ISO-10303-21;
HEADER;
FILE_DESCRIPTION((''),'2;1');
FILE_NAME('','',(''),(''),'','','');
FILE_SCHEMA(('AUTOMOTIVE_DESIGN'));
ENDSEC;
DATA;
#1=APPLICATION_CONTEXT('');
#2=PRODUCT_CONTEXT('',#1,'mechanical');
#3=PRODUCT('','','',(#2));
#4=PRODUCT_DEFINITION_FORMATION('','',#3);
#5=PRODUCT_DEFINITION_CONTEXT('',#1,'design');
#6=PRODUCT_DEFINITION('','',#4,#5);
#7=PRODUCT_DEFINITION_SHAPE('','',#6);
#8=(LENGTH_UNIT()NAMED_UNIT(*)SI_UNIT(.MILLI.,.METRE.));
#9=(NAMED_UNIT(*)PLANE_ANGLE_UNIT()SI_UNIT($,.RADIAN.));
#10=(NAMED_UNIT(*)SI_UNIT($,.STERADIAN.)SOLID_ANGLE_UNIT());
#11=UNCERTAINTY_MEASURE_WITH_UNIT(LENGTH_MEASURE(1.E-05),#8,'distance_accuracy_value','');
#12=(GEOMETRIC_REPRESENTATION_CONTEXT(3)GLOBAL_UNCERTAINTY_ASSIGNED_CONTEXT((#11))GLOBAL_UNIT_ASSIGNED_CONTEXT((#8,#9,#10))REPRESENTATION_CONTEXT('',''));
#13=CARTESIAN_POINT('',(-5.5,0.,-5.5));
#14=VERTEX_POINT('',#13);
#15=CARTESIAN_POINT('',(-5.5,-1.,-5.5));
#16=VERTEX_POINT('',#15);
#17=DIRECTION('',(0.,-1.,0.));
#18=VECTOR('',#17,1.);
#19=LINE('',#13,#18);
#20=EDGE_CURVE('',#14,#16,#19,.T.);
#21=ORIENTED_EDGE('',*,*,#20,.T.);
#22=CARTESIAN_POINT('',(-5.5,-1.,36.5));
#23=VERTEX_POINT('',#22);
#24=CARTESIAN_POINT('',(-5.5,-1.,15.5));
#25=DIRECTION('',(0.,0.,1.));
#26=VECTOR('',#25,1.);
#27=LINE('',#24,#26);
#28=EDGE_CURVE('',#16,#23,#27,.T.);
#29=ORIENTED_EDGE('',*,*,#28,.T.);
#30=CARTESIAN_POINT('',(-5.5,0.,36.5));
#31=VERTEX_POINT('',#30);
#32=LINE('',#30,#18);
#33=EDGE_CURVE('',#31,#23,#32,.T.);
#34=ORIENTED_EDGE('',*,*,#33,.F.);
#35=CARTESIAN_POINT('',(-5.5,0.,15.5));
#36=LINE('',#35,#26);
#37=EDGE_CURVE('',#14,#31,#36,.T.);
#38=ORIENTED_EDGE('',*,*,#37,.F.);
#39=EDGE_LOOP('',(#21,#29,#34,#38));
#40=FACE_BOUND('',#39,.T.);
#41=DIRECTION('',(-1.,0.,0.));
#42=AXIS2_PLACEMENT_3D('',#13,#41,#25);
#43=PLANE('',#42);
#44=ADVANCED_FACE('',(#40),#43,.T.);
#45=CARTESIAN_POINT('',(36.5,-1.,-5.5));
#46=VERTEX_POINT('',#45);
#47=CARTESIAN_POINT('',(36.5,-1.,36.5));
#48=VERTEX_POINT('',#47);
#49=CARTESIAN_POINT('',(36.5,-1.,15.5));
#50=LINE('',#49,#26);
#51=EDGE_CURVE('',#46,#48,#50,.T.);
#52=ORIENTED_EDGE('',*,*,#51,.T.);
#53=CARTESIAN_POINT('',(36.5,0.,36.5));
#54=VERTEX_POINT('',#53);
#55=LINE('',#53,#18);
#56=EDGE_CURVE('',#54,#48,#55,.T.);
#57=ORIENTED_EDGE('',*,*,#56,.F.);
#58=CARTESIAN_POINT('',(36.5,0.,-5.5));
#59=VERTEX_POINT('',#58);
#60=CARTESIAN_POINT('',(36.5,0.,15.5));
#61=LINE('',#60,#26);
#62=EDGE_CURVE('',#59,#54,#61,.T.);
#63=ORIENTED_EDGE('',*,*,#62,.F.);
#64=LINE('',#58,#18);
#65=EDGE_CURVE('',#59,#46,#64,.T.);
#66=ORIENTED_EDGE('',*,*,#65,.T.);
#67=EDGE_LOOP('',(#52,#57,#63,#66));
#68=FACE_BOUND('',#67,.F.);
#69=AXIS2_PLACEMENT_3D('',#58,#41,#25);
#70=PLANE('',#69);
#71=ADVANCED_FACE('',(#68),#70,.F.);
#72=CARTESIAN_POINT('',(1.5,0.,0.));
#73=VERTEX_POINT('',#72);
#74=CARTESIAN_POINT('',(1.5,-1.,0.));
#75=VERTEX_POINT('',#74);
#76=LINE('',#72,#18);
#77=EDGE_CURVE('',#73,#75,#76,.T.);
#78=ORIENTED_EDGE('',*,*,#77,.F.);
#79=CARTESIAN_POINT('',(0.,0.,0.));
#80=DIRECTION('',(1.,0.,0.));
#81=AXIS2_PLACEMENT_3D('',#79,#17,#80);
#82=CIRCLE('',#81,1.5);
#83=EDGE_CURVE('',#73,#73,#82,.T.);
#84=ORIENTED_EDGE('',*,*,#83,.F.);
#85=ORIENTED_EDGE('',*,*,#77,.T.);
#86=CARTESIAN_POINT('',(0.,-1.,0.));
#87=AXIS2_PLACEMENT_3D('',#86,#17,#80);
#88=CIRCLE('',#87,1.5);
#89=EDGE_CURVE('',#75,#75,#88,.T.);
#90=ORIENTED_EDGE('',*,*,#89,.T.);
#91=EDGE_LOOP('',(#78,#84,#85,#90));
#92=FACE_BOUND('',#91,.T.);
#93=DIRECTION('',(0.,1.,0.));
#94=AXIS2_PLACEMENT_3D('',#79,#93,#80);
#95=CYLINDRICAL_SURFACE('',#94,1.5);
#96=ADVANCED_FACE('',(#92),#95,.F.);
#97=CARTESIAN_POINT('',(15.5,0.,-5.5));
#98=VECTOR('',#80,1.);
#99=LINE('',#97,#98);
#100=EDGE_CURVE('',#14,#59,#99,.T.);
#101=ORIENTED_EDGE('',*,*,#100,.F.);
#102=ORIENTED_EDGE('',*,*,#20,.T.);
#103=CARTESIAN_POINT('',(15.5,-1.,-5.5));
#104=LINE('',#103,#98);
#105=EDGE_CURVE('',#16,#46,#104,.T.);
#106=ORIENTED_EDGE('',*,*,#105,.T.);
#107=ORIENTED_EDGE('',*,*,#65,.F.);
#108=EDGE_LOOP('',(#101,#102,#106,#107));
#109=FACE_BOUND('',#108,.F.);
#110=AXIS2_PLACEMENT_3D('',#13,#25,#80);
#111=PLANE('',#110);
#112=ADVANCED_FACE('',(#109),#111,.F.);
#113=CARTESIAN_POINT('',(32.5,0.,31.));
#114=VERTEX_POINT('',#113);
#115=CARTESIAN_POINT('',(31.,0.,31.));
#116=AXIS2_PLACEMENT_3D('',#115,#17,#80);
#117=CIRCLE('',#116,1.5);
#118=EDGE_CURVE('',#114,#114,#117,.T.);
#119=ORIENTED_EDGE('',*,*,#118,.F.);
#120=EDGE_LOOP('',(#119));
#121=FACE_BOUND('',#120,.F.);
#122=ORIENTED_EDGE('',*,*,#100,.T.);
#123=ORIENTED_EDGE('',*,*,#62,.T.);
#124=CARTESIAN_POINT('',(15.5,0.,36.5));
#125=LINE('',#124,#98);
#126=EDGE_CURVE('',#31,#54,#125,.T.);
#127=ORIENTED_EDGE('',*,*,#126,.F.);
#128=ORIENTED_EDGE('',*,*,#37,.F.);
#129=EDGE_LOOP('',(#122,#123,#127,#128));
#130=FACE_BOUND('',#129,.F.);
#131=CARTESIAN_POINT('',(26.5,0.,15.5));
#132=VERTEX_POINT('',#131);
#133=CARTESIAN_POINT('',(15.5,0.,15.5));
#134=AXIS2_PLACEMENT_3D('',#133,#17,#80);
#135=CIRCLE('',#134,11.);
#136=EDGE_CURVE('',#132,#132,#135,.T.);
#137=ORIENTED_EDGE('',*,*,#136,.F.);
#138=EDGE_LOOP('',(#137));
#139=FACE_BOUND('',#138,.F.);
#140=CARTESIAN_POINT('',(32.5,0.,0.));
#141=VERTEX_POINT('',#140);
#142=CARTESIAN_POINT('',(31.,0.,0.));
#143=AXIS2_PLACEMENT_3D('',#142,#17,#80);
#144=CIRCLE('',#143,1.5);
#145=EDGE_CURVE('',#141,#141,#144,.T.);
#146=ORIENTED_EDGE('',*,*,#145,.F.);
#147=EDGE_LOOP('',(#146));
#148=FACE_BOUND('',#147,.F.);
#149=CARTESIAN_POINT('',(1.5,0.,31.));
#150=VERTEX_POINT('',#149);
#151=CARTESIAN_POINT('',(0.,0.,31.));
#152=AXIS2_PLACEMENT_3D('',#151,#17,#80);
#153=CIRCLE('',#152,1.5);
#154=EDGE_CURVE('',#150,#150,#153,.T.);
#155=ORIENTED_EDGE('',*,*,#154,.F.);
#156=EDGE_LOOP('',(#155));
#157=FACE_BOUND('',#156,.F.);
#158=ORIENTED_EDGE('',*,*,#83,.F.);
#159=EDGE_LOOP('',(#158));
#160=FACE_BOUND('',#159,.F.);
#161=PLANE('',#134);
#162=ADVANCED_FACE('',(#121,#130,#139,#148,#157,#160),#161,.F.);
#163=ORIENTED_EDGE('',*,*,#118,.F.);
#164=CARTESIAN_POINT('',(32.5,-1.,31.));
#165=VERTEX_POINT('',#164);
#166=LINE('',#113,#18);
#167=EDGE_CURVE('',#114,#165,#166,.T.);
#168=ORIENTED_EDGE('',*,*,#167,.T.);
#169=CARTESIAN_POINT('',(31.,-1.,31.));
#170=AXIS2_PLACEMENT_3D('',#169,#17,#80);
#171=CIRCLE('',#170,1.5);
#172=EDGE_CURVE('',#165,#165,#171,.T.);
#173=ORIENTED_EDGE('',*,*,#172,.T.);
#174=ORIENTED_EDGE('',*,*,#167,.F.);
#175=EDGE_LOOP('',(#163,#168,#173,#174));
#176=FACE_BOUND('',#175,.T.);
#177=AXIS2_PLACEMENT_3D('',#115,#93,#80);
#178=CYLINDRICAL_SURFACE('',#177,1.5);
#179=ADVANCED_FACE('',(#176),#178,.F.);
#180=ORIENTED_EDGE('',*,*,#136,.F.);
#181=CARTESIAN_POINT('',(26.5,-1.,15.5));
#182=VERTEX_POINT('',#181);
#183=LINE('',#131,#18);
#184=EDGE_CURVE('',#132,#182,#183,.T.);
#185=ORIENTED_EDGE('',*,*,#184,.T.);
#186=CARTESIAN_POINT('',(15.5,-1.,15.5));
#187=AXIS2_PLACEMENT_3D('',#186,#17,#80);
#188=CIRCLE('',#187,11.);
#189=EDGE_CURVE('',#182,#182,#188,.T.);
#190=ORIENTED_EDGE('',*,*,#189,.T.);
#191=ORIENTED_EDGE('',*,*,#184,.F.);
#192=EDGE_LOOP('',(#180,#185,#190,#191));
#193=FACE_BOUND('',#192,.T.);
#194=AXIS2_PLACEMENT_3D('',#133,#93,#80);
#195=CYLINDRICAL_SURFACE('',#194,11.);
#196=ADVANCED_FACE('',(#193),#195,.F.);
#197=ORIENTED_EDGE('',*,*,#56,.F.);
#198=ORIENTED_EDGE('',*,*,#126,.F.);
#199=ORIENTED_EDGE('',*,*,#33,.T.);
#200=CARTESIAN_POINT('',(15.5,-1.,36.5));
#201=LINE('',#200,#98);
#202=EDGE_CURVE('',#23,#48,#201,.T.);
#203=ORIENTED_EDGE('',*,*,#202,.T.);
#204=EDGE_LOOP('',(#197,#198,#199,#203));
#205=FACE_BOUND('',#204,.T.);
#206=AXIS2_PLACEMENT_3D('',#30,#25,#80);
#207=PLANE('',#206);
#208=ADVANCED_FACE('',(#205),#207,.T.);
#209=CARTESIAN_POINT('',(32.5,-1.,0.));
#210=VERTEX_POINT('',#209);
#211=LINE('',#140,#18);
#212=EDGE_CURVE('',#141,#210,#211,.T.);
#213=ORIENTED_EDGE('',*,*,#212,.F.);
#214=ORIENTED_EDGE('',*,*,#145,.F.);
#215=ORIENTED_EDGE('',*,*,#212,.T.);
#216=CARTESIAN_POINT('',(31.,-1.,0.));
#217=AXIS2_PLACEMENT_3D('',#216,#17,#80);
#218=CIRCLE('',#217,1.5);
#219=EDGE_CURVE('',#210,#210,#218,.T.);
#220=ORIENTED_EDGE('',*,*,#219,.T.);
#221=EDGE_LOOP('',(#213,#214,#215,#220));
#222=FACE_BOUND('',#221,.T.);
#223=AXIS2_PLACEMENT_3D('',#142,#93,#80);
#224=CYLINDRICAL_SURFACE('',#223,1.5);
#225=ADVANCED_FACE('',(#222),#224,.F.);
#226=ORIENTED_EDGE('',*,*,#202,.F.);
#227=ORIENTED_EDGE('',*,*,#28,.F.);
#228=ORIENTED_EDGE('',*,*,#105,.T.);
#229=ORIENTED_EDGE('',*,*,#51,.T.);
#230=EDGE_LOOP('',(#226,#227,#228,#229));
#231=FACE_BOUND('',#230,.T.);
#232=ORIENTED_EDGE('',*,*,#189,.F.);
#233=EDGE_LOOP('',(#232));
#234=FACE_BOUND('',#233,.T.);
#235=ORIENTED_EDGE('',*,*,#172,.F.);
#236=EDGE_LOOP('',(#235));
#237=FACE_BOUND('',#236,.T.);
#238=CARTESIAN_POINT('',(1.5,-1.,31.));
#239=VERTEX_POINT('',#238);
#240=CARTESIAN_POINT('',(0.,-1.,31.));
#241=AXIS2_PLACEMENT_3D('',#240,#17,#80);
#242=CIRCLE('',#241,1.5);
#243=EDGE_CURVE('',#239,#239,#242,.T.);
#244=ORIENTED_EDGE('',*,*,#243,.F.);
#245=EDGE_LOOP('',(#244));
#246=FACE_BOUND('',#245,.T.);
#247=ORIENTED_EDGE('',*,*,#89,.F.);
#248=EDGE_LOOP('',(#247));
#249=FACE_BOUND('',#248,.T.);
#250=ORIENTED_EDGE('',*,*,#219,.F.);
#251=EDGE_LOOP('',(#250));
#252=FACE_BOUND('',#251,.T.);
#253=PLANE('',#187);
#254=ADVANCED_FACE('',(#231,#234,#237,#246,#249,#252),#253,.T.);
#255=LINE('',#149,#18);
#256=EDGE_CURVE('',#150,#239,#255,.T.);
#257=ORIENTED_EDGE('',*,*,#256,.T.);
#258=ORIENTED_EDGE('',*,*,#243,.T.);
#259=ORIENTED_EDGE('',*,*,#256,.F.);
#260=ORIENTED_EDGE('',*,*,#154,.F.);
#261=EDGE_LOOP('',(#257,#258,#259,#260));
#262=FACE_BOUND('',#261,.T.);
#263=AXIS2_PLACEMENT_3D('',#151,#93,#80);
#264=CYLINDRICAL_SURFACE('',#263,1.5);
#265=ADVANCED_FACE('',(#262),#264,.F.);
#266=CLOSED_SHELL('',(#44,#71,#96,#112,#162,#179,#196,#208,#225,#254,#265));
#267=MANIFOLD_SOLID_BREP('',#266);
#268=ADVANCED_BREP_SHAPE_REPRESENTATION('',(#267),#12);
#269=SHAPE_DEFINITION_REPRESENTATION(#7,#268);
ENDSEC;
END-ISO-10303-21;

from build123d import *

# Parameters (mm, degrees)
F0_W     = 42
F0_H     = 42
F0_R     = 1.5
F0_R_2   = 11
F1_DEPTH = 1


with BuildPart() as f1:
    # F0 (on Front) → F1 (new body)
    with BuildSketch(Plane.XZ):
        with Locations((15.5, 15.5)):
            Rectangle(F0_W, F0_H)
        Circle(F0_R, mode=Mode.SUBTRACT)
        with Locations((31, 0)):
            Circle(F0_R, mode=Mode.SUBTRACT)
        with Locations((0, 31)):
            Circle(F0_R, mode=Mode.SUBTRACT)
        with Locations((15.5, 15.5)):
            Circle(F0_R_2, mode=Mode.SUBTRACT)
        with Locations((31, 31)):
            Circle(F0_R, mode=Mode.SUBTRACT)
    extrude(amount=F1_DEPTH)


solid = f1.part
